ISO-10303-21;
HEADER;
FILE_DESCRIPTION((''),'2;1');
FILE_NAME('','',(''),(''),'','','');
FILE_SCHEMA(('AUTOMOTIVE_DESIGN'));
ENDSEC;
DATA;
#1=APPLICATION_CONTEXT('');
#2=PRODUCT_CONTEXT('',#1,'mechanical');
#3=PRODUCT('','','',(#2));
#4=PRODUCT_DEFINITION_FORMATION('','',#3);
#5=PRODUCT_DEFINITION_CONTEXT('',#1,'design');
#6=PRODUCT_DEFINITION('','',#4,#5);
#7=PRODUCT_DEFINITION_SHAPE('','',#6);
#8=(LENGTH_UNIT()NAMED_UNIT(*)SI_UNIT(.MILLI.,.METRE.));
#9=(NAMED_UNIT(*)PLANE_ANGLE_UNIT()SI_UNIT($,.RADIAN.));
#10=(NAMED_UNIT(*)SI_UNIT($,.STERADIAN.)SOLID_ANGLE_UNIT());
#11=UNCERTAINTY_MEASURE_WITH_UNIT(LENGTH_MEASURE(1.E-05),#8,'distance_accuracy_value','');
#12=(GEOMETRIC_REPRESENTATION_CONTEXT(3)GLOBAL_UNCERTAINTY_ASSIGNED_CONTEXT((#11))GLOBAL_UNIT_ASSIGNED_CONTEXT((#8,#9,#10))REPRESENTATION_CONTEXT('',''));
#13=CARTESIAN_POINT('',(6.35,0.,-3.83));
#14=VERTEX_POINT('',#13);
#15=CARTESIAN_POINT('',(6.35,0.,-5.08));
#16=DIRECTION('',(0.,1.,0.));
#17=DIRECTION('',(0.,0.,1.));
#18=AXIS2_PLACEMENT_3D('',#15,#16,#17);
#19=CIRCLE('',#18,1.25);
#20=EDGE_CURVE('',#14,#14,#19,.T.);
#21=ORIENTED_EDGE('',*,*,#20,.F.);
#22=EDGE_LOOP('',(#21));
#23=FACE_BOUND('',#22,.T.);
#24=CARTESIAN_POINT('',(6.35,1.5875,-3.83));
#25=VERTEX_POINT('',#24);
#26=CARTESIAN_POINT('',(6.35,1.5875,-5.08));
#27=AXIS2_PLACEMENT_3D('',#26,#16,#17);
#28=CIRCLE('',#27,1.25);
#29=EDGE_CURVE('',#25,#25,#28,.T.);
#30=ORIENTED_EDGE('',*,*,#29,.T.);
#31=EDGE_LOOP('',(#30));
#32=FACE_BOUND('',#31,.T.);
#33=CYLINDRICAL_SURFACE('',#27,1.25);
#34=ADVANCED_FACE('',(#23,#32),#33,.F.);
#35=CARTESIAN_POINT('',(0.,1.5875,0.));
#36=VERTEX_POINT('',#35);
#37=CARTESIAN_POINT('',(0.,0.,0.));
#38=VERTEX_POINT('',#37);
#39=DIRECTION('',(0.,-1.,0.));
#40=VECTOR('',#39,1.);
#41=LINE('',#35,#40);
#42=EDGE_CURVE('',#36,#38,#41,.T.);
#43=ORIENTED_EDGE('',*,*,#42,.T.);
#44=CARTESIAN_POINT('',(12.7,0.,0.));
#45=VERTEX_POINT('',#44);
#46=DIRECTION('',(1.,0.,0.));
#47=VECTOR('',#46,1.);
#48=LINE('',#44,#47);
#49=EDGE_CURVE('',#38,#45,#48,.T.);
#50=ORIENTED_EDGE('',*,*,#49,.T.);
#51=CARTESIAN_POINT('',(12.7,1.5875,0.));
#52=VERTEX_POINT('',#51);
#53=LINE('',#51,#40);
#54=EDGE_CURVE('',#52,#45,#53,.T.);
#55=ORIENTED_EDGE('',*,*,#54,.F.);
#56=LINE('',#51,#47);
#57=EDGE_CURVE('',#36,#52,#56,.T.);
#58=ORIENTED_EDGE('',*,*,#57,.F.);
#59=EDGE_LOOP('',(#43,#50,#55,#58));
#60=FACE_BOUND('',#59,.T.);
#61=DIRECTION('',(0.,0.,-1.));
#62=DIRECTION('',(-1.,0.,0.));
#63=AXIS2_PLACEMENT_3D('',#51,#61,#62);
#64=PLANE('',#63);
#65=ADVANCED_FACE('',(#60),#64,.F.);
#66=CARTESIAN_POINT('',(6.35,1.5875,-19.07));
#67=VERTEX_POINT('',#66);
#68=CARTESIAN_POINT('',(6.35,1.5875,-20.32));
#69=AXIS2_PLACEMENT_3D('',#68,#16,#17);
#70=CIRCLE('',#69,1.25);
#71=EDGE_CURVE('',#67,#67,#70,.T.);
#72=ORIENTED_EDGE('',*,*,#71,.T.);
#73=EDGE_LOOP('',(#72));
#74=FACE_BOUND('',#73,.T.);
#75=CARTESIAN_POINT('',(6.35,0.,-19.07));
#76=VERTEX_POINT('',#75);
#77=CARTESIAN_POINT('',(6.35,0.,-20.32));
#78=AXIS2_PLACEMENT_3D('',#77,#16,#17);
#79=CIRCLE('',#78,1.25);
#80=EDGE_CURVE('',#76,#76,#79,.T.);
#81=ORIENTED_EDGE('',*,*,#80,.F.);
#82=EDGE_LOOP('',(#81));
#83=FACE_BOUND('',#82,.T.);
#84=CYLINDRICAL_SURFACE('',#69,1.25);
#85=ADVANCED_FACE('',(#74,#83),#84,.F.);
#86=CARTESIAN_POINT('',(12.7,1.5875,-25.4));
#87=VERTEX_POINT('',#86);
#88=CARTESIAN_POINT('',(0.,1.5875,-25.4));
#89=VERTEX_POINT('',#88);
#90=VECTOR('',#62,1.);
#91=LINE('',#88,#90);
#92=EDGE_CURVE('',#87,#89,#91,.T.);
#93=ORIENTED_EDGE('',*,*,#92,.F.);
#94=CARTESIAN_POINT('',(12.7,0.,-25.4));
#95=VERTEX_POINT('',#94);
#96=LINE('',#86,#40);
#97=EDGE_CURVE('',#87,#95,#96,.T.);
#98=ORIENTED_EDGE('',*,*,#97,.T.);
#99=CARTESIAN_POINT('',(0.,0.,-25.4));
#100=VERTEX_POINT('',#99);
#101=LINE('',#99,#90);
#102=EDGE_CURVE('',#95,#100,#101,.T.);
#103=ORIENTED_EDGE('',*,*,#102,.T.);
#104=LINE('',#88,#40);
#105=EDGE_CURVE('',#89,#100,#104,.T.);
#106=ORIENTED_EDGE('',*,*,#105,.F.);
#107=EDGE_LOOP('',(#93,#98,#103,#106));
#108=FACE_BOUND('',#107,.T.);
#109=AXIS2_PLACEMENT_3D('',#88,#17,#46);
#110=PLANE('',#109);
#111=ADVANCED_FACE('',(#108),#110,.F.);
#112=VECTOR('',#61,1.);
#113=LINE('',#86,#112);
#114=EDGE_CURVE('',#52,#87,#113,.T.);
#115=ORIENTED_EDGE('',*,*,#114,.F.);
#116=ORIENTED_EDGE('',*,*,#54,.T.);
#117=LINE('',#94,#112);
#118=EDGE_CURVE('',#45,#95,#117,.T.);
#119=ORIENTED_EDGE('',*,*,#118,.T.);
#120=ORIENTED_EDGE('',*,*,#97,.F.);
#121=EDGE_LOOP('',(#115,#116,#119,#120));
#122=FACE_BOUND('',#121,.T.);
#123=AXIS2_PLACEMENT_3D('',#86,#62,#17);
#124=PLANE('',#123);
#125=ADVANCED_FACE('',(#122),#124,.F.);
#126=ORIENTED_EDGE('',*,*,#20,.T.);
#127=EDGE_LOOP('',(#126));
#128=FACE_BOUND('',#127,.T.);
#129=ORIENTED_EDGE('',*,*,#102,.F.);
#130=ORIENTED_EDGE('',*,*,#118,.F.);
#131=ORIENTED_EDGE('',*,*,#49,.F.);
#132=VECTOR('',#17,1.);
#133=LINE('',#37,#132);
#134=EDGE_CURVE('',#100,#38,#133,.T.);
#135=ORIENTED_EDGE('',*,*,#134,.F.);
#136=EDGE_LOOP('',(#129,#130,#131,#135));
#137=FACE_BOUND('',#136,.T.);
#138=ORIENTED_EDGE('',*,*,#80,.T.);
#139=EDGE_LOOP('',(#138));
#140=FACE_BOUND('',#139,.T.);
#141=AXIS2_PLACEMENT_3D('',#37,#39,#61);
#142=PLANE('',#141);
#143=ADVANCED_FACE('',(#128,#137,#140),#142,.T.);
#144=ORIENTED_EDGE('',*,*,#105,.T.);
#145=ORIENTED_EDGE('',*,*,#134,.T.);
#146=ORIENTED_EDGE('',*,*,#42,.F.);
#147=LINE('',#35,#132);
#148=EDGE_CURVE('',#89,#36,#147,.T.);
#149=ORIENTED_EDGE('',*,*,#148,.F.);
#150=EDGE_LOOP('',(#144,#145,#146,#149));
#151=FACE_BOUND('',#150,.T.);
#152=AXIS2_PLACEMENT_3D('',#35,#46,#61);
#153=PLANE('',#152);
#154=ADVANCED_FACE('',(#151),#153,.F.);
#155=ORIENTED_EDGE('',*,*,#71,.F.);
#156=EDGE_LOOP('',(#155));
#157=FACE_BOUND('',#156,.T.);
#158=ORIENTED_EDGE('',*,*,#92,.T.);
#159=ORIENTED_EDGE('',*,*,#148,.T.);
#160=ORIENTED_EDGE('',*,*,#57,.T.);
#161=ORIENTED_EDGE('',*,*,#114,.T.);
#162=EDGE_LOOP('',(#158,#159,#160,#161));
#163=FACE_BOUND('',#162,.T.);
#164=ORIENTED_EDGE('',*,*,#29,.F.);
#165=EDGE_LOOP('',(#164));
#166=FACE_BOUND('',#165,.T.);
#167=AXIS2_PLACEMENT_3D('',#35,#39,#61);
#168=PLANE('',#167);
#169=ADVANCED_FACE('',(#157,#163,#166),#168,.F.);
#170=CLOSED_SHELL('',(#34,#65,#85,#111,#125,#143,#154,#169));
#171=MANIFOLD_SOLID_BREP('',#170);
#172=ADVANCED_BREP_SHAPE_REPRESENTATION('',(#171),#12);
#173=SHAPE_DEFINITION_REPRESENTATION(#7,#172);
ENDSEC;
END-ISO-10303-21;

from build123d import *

# Parameters (mm, degrees)
SKETCH1_W             = 12.7
SKETCH1_H             = 25.4
BOSS_EXTRUDE1_DEPTH   = 1.5875
M3X0_5_TAPPED_HOLE1_D = 2.5


with BuildPart() as part:
    # Sketch1 → Boss-Extrude1 (new body)
    with BuildSketch(Plane(origin=(0, 0, 0), x_dir=(1, 0, 0), z_dir=(0, 1, 0))):
        with Locations((6.35, 12.7)):
            Rectangle(SKETCH1_W, SKETCH1_H)
    extrude(amount=BOSS_EXTRUDE1_DEPTH)

    # M3x0.5 Tapped Hole1 (through all)
    with Locations(Plane(origin=(0, 1.5875, 0), x_dir=(1, 0, 0), z_dir=(0, 1, 0))):
        with Locations((6.35, 20.32), (6.35, 5.08)):
            Hole(M3X0_5_TAPPED_HOLE1_D / 2)


solid = part.part
